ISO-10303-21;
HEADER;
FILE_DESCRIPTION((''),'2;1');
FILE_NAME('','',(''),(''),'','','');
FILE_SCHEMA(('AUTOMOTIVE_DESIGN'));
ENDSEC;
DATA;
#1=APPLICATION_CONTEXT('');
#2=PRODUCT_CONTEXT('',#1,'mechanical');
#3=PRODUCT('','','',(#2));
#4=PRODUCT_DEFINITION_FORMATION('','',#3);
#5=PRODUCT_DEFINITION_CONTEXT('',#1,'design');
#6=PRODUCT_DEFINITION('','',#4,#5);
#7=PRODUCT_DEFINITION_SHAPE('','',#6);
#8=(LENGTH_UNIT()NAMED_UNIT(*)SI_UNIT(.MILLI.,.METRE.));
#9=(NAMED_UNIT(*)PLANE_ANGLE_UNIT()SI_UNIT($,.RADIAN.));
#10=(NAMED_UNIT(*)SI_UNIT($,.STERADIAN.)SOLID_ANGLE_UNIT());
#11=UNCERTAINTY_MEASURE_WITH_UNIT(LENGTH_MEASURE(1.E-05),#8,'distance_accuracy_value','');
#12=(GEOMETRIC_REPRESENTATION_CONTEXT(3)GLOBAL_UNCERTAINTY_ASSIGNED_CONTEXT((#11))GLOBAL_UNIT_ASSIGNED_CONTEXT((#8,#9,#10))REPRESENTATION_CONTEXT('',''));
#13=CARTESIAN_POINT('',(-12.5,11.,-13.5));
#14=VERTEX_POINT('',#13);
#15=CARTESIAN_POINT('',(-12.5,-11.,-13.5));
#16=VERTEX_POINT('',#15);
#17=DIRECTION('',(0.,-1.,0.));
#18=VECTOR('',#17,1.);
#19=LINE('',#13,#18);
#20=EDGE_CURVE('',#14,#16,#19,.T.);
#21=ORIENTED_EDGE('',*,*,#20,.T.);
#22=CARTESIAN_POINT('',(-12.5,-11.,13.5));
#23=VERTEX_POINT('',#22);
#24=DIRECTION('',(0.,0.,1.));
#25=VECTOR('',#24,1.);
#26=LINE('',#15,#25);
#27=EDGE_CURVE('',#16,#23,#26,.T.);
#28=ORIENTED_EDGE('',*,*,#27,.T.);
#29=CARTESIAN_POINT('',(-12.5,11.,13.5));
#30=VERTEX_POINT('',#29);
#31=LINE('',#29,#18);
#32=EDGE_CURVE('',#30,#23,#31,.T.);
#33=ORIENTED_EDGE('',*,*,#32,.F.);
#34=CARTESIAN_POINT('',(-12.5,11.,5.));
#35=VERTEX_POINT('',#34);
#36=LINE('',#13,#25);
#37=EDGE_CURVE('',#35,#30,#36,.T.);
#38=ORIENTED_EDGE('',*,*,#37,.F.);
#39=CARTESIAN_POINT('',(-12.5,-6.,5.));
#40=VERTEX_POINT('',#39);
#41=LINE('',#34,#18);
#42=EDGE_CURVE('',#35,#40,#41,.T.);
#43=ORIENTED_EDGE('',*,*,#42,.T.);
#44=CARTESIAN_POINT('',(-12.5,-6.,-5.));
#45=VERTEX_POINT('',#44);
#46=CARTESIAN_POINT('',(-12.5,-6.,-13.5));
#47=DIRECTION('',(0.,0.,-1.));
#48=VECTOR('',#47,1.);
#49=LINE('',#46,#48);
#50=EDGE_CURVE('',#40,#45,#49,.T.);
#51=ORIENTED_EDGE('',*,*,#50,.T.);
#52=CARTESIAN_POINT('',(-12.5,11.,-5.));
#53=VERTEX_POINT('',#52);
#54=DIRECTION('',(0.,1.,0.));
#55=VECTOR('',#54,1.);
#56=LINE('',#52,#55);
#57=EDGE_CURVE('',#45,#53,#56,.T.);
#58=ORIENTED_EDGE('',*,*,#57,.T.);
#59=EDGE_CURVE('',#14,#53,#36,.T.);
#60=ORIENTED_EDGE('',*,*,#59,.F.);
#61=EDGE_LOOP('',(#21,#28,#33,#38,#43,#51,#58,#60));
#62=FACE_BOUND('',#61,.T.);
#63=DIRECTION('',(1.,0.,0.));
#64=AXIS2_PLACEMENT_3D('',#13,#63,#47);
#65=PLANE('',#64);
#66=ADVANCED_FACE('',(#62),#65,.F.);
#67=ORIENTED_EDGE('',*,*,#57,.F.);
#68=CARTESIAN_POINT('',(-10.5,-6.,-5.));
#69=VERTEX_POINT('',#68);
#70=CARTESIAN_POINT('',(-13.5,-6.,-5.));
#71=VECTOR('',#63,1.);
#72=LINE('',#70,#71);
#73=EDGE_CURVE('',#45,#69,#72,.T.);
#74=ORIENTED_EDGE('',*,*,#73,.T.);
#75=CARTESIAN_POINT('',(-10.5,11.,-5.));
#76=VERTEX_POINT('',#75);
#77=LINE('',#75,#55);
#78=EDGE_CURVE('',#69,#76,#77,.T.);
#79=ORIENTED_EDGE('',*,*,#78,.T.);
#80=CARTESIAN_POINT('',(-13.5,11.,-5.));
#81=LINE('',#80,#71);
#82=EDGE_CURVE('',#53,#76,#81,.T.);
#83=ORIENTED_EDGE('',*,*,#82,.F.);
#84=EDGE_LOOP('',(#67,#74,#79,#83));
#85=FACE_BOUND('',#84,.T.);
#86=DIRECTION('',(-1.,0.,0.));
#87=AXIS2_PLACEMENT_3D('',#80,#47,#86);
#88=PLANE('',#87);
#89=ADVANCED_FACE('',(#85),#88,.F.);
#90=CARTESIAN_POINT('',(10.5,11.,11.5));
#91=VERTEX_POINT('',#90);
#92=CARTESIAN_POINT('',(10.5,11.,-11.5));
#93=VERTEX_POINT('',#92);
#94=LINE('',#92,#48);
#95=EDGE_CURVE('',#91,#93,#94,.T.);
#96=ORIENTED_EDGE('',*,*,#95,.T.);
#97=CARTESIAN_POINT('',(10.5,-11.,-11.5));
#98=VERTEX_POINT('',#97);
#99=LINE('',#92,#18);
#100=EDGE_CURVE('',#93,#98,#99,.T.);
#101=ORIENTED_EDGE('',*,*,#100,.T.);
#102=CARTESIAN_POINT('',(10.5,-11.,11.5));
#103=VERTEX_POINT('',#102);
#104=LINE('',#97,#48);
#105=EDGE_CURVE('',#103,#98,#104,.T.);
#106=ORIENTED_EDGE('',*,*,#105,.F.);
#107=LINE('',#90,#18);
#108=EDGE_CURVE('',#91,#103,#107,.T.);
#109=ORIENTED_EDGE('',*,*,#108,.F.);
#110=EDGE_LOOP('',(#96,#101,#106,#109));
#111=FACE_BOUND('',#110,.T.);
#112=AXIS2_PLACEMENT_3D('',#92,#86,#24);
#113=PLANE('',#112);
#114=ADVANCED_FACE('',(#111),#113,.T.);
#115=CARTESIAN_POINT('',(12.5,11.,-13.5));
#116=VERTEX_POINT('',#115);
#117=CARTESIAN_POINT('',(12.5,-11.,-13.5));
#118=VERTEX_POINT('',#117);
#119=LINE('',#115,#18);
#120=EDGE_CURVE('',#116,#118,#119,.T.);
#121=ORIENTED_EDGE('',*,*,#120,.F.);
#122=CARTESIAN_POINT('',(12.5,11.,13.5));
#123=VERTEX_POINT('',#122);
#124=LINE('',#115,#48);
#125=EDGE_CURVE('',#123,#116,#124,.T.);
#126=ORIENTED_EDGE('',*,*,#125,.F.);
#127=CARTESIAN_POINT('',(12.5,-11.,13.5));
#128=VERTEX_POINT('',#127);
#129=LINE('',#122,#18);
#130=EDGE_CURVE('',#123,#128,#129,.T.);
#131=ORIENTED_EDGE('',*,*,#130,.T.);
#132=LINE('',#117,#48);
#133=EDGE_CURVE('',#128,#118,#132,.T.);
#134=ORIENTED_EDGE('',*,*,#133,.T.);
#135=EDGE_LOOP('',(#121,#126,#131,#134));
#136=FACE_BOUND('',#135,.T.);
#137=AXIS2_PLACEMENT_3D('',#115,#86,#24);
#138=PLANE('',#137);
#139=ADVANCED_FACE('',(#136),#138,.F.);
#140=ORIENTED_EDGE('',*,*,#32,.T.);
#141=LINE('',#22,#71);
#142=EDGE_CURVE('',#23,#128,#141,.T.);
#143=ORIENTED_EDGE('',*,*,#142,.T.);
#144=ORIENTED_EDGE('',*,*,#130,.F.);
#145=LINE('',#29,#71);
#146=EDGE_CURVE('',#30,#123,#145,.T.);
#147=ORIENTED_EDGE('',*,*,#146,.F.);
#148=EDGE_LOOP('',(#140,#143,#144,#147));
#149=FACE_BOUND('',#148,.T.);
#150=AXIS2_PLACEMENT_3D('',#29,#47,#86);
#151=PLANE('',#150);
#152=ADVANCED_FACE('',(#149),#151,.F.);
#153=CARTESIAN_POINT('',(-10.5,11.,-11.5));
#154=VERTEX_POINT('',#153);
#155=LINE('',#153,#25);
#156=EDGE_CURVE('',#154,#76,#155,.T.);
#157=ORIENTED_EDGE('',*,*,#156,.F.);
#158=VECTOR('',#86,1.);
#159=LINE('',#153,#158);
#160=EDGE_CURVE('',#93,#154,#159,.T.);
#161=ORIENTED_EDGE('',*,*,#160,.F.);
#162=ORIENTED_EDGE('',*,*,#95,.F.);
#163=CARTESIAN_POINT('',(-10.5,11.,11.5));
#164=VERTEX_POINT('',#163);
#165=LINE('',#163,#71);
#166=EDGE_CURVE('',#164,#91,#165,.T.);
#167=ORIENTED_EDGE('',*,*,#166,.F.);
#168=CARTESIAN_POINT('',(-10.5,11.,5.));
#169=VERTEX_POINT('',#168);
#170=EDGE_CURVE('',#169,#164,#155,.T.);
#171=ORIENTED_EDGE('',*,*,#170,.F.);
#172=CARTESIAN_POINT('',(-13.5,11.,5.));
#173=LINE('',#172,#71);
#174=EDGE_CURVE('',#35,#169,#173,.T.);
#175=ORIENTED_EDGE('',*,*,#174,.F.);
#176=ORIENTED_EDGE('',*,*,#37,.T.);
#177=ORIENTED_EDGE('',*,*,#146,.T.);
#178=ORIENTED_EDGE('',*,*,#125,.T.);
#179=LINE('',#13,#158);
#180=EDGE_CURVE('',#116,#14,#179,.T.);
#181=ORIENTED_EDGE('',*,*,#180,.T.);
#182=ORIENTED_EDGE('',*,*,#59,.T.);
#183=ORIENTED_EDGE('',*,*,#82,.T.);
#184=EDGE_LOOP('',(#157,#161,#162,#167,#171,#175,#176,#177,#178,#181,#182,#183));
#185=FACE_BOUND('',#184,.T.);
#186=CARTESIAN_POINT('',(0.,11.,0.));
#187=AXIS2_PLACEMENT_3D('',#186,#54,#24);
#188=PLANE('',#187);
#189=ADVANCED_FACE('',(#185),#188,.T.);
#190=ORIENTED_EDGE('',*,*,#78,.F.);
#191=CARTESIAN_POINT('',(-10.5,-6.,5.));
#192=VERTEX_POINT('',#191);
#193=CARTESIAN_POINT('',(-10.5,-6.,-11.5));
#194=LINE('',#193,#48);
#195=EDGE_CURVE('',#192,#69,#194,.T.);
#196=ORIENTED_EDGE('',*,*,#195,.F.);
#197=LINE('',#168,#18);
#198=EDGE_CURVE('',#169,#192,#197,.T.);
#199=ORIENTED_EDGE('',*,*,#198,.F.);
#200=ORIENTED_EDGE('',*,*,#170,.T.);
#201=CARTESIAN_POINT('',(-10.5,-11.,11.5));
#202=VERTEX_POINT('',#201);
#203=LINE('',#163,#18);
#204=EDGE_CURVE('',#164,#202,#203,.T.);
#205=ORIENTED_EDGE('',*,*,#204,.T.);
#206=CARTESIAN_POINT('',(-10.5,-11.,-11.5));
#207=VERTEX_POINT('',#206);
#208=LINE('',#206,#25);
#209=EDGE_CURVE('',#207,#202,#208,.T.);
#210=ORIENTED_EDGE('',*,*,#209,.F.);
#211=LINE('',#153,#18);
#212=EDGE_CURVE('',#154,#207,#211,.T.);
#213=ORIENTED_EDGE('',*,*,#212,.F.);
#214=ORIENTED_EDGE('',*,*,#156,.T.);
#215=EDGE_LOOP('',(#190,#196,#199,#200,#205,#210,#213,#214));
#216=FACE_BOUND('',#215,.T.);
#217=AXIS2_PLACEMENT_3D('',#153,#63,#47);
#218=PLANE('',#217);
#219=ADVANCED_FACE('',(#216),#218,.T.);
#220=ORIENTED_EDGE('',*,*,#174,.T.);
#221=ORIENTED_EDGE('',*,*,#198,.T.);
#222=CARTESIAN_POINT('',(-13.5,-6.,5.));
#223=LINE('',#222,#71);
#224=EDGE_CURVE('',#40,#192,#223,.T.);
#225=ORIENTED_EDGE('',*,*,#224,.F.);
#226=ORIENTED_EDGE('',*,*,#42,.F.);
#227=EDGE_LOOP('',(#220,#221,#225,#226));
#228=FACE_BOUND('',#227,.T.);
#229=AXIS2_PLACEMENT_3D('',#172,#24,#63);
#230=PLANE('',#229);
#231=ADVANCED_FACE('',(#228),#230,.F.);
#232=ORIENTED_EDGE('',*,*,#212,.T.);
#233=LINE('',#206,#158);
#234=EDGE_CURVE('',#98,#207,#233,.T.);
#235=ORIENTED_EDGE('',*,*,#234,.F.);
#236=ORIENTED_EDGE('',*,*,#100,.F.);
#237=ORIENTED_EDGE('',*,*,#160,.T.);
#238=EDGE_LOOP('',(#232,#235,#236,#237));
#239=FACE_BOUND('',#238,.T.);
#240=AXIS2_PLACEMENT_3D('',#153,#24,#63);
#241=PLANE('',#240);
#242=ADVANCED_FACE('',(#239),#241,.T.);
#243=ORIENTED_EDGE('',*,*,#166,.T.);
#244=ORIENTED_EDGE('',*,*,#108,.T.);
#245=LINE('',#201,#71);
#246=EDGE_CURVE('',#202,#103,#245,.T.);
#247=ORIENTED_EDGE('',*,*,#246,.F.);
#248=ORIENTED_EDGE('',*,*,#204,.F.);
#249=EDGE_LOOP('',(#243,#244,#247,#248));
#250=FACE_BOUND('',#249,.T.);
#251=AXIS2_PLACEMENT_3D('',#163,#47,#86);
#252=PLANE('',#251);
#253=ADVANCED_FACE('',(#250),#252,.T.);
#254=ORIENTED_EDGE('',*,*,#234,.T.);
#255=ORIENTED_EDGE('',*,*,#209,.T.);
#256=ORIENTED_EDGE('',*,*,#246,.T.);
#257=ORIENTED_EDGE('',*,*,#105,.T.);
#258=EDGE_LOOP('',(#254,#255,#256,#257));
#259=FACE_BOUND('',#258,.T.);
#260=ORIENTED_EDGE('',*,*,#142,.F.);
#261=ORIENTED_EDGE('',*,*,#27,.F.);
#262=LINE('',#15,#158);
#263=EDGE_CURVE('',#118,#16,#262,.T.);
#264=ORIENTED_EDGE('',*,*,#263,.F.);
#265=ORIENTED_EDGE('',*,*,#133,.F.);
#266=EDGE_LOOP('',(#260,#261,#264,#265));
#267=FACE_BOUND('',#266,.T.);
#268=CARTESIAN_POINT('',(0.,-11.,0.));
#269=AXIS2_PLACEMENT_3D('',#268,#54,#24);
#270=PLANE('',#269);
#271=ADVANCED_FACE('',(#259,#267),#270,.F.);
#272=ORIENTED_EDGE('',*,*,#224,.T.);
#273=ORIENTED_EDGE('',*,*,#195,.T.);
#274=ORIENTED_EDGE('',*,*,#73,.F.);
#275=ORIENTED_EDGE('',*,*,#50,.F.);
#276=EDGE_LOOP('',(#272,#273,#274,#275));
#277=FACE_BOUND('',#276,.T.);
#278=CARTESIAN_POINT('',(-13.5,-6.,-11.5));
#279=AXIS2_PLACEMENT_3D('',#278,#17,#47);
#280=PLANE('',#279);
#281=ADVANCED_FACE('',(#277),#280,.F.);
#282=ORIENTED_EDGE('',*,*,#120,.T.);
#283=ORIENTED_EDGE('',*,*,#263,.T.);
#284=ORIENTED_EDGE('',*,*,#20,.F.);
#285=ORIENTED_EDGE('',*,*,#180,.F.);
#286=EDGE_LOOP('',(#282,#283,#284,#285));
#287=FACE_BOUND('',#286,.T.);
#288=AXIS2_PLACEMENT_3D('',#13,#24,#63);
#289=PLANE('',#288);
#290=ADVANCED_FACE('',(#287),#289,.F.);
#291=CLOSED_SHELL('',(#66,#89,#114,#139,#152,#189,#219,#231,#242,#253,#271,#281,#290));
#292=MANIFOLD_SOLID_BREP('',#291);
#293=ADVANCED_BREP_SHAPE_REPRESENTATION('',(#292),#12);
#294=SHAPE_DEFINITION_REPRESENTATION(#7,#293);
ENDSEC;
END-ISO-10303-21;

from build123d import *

# Parameters (mm, degrees)
SKETCH1_W           = 25
SKETCH1_H           = 27
SKETCH1_W_2         = 21
SKETCH1_H_2         = 23
BOSS_EXTRUDE1_DEPTH = 11
CUT_EXTRUDE1_START  = -10.5
SKETCH2_W           = 10
SKETCH2_H           = 17
CUT_EXTRUDE1_DEPTH  = 3


with BuildPart() as part:
    # Sketch1 → Boss-Extrude1 (new body, symmetric)
    with BuildSketch(Plane(origin=(0, 0, 0), x_dir=(1, 0, 0), z_dir=(0, 1, 0))):
        Rectangle(SKETCH1_W, SKETCH1_H)
        Rectangle(SKETCH1_W_2, SKETCH1_H_2, mode=Mode.SUBTRACT)
    extrude(amount=BOSS_EXTRUDE1_DEPTH, both=True)

    # Sketch2 → Cut-Extrude1 (cut)
    with BuildSketch(Plane(origin=(0, 0, 0), x_dir=(0, 0, -1), z_dir=(1, 0, 0)).offset(CUT_EXTRUDE1_START)):
        with Locations((0, 2.5)):
            Rectangle(SKETCH2_W, SKETCH2_H)
    extrude(amount=-CUT_EXTRUDE1_DEPTH, mode=Mode.SUBTRACT)


solid = part.part
